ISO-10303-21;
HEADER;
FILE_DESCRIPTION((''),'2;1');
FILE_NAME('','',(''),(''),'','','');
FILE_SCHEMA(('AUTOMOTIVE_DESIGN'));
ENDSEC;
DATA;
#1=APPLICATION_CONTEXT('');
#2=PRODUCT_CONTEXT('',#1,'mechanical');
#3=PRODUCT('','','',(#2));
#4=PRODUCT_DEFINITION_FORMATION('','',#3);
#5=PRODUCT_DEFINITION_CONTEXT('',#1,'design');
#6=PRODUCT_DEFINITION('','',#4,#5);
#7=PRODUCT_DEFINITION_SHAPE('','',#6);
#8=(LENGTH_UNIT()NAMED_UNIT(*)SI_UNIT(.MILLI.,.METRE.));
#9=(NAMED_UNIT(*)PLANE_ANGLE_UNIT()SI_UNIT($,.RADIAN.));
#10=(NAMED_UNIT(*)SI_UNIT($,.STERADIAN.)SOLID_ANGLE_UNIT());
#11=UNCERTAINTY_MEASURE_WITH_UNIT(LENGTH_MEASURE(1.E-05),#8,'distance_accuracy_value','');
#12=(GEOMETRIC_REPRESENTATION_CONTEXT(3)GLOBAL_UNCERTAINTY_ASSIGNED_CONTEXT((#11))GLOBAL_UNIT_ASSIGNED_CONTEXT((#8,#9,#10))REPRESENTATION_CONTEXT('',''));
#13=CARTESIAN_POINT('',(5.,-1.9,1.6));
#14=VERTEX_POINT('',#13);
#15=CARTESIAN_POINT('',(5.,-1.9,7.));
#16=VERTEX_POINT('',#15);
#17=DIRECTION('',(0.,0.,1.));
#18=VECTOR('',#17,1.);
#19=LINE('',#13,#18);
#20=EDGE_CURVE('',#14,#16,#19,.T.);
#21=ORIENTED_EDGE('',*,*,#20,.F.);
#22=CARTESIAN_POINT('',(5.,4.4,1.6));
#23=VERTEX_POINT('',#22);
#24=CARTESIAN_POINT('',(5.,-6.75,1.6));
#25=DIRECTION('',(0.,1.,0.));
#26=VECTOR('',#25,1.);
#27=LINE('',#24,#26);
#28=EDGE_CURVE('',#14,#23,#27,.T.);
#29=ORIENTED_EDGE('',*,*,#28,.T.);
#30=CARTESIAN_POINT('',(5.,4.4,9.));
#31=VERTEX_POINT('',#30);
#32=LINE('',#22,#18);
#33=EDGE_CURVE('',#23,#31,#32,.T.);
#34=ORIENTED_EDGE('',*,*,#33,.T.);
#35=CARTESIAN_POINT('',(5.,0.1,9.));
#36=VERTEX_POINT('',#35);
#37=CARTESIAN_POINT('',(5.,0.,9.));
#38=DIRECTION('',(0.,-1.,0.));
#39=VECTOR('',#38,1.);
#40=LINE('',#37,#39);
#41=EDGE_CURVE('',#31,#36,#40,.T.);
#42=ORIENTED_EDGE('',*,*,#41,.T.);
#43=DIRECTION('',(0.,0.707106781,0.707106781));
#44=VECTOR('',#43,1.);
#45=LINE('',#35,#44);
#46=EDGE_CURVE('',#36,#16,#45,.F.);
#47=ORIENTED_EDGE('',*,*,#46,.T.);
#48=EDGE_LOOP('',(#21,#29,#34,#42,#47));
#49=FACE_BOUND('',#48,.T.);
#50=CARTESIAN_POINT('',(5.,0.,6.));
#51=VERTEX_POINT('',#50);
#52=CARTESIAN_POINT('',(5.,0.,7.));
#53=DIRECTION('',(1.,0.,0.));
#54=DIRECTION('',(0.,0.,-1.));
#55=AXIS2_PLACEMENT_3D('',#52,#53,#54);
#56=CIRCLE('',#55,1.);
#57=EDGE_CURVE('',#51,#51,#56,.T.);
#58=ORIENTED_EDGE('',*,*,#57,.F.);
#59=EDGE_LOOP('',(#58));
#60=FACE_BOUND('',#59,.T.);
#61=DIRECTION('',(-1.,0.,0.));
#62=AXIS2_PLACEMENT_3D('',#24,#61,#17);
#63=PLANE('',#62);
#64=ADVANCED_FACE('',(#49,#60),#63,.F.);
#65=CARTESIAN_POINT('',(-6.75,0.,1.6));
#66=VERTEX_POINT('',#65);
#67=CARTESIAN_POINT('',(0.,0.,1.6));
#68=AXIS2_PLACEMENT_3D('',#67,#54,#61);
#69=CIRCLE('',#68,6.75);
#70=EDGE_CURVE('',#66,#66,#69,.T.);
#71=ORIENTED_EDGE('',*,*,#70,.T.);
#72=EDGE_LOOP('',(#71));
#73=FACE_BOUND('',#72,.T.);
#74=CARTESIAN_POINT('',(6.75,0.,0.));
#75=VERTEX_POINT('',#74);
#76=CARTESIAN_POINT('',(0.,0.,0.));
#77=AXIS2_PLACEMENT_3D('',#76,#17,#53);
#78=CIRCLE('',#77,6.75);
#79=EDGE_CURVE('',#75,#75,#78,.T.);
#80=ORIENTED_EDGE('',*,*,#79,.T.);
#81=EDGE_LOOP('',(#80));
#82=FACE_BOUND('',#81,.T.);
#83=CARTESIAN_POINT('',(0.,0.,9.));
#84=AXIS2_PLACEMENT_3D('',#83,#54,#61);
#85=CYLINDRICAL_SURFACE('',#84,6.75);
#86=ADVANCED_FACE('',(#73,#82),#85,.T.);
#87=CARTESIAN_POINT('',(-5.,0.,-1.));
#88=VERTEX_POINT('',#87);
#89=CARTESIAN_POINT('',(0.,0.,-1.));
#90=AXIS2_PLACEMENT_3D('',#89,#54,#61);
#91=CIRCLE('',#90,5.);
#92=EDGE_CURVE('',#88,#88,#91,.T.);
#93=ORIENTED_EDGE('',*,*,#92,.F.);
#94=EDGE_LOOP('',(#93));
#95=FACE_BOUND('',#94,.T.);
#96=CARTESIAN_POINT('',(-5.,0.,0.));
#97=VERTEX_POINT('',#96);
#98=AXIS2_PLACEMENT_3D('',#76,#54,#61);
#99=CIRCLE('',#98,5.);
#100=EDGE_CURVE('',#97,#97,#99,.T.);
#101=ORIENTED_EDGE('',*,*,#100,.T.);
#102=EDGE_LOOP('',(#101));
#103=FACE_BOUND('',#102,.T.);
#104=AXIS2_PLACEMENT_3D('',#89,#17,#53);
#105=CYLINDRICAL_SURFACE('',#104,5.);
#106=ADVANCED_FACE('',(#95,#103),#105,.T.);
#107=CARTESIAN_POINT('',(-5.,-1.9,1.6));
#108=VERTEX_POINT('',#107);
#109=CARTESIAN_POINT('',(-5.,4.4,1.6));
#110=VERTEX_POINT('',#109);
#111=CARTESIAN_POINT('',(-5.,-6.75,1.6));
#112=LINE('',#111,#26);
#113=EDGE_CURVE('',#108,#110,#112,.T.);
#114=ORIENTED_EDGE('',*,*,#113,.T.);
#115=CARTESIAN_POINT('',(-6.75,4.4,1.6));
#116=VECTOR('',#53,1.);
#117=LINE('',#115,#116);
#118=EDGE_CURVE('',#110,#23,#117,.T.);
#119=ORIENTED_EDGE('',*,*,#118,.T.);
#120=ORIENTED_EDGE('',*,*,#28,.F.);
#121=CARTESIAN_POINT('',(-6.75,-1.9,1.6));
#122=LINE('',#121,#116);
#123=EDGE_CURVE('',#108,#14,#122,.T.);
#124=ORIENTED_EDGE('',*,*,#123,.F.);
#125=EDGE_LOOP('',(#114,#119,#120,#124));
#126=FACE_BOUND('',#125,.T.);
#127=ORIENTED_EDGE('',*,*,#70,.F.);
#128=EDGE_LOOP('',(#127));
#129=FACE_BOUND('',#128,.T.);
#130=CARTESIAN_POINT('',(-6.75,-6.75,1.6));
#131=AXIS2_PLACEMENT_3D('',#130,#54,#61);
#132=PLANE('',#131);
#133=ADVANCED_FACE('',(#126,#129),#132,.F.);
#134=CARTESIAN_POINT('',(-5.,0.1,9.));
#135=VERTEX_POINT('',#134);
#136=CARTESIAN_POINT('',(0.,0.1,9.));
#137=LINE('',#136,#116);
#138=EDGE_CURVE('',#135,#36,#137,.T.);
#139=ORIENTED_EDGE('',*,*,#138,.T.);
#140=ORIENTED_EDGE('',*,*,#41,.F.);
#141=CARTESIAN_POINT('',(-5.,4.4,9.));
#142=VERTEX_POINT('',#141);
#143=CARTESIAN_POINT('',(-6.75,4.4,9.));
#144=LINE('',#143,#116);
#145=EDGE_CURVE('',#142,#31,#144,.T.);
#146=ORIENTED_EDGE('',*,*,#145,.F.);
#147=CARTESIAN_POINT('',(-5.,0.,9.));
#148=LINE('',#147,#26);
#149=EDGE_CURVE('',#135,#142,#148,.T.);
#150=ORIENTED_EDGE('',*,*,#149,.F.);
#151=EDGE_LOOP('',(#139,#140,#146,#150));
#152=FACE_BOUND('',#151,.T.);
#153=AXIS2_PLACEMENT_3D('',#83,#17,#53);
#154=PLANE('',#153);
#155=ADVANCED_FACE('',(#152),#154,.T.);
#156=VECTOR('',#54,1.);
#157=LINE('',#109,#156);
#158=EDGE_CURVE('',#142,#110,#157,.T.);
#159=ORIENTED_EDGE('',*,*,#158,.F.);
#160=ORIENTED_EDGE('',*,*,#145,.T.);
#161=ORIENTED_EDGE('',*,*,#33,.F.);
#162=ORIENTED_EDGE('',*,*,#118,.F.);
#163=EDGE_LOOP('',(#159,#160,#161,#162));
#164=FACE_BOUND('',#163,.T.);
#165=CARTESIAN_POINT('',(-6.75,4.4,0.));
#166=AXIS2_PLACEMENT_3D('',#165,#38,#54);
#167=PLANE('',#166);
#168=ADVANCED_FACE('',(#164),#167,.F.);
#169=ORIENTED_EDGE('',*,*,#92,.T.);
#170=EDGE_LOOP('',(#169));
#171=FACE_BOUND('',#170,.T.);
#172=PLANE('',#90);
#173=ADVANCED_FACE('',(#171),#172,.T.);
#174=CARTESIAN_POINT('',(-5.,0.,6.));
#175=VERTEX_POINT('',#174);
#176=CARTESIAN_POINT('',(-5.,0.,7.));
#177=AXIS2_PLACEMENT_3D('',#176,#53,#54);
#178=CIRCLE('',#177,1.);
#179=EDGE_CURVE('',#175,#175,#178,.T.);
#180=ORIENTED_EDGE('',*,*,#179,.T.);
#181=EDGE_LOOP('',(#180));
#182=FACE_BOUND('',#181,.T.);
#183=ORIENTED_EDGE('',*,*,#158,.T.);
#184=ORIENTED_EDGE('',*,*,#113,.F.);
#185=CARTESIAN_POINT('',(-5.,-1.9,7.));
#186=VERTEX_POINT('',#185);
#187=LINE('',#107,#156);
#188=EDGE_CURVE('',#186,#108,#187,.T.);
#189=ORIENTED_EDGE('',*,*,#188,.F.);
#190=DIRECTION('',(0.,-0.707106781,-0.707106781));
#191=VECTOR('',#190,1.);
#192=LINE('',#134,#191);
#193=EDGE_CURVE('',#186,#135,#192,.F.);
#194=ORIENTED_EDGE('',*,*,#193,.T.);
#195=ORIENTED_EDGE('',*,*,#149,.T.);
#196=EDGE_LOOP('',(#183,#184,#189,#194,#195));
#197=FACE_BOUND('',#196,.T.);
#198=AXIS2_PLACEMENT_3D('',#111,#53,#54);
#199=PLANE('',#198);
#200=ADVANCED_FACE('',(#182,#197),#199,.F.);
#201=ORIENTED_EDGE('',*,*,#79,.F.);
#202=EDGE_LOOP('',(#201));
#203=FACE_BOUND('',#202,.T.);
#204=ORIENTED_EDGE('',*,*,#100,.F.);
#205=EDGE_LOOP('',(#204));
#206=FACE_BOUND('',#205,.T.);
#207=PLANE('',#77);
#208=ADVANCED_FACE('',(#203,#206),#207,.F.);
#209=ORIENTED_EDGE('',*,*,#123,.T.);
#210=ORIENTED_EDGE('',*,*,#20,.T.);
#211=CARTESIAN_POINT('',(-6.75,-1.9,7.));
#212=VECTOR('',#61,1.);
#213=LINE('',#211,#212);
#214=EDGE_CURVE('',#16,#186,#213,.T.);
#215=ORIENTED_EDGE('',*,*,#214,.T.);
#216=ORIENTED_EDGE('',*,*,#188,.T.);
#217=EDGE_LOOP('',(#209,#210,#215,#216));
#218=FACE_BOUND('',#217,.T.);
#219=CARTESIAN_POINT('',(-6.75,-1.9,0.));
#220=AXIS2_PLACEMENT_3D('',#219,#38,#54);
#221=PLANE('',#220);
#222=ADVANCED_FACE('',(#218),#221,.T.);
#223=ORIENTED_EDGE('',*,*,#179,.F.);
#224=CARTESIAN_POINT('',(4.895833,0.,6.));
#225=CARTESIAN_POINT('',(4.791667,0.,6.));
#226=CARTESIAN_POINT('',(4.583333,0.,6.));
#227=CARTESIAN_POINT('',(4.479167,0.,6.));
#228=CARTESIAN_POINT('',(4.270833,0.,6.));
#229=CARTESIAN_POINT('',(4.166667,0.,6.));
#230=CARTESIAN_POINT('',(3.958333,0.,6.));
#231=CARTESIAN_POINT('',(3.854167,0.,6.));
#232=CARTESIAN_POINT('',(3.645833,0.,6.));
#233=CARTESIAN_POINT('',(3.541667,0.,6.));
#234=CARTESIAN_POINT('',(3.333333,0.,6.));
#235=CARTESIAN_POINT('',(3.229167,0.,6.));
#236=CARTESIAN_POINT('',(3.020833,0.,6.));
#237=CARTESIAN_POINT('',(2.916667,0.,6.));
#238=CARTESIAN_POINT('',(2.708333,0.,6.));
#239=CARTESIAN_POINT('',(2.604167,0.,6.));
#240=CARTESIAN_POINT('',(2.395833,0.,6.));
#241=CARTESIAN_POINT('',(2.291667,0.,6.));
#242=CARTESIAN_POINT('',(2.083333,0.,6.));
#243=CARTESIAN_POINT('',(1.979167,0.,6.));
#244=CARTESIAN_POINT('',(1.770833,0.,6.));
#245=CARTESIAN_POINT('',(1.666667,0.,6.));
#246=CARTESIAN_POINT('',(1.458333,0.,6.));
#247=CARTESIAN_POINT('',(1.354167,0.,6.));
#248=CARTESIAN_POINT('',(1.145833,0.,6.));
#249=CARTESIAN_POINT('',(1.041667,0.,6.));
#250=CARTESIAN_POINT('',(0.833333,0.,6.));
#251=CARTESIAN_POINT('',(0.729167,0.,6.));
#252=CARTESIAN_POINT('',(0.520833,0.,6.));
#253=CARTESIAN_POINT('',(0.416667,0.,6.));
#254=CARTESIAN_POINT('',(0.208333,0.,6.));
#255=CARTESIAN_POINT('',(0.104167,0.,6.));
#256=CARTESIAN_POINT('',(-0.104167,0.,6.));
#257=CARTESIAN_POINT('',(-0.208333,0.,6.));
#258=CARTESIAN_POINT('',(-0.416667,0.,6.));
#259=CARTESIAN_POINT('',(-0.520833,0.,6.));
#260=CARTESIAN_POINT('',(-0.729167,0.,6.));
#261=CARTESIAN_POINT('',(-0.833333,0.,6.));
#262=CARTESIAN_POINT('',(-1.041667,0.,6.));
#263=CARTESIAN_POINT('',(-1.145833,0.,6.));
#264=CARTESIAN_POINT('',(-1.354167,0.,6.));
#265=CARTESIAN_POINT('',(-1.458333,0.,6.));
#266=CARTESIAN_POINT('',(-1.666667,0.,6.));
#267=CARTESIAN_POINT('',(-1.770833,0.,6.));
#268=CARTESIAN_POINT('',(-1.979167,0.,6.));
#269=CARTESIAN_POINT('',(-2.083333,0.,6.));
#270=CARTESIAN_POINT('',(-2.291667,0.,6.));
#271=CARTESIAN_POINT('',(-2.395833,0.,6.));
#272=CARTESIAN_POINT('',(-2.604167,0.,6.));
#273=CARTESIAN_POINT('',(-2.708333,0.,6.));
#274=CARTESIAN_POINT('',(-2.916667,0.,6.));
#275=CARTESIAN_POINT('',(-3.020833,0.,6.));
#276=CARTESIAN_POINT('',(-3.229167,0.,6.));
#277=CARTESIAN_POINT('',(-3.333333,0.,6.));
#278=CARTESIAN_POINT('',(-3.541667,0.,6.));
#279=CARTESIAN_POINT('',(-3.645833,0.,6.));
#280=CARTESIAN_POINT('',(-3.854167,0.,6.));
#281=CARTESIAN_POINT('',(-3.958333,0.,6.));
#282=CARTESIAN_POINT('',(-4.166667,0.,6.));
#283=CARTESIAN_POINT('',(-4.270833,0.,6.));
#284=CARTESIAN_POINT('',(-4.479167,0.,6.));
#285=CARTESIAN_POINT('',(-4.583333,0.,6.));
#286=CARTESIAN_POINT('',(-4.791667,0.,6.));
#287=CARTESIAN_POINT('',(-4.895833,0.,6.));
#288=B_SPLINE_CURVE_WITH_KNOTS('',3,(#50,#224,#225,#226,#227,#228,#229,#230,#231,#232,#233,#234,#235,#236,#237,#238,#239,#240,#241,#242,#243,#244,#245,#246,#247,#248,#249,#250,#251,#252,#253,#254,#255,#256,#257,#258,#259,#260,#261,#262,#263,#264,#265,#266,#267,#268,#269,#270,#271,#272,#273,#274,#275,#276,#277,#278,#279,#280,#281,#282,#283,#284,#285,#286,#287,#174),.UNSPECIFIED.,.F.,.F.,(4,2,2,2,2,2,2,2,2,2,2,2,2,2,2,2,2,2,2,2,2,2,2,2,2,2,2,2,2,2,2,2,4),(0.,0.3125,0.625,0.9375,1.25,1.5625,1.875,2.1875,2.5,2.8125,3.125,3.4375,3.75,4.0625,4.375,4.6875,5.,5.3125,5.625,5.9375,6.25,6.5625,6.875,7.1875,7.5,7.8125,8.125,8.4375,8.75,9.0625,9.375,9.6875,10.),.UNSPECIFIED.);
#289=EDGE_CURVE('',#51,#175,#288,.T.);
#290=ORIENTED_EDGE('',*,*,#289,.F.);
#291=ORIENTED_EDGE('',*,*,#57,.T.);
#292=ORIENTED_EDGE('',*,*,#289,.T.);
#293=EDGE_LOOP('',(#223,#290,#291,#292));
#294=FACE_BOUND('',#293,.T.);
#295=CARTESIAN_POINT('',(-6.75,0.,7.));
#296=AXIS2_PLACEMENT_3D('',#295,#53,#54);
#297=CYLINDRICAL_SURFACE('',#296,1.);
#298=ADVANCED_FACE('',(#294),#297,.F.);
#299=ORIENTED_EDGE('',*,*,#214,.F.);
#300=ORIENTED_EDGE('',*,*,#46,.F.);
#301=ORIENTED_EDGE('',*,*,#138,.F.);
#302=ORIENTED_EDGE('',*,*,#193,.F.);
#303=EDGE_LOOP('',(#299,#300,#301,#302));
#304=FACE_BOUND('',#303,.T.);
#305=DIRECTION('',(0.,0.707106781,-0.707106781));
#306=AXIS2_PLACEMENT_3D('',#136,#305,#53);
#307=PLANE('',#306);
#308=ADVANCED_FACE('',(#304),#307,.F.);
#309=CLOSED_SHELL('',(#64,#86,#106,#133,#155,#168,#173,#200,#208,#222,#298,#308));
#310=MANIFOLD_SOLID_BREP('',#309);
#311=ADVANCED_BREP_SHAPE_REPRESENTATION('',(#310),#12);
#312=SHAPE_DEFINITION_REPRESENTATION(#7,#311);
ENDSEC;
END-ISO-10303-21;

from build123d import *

# Parameters (mm, degrees)
SKETCH1_R               = 6.75
BOSS_EXTRUDE1_DEPTH     = 9
SKETCH2_R               = 5
BOSS_EXTRUDE2_DEPTH     = 1
CUT_EXTRUDE1_DEPTH      = 14.119641763
CUT_EXTRUDE1_DEPTH_BACK = 14.119641763
SKETCH3_W               = 1.75
SKETCH3_H               = 7.4
CUT_EXTRUDE2_DEPTH      = 14.119641763
CUT_EXTRUDE2_DEPTH_BACK = 14.119641763
SKETCH4_W               = 7.4
SKETCH4_H               = 4.85
SKETCH4_H_2             = 2.35
CUT_EXTRUDE3_DEPTH      = 17.267298485
CUT_EXTRUDE3_DEPTH_BACK = 17.267298485
SKETCH5_R               = 1
CHAMFER1_SIZE           = 2


with BuildPart() as part:
    # Sketch1 → Boss-Extrude1 (new body)
    with BuildSketch(Plane.XY):
        Circle(SKETCH1_R)
    extrude(amount=BOSS_EXTRUDE1_DEPTH)

    # Sketch2 → Boss-Extrude2 (add)
    with BuildSketch(Plane(origin=(0, 0, 0), x_dir=(-1, 0, 0), z_dir=(0, 0, -1))):
        Circle(SKETCH2_R)
    extrude(amount=BOSS_EXTRUDE2_DEPTH)

    # Sketch3 → Cut-Extrude1 (cut, two sides: drawn at the far end of the back side and taken through both)
    with BuildSketch(Plane(origin=(0, 0, 0), x_dir=(1, 0, 0), z_dir=(0, 1, 0)).offset(-CUT_EXTRUDE1_DEPTH_BACK)):
        with Locations((-5.875, -5.3)):
            Rectangle(SKETCH3_W, SKETCH3_H)
        with Locations((5.875, -5.3)):
            Rectangle(SKETCH3_W, SKETCH3_H)
    extrude(amount=CUT_EXTRUDE1_DEPTH + CUT_EXTRUDE1_DEPTH_BACK, mode=Mode.SUBTRACT)

    # Sketch4 → Cut-Extrude2 (cut, two sides: drawn at the far end of the back side and taken through both)
    with BuildSketch(Plane(origin=(0, 0, 0), x_dir=(0, 0, -1), z_dir=(1, 0, 0)).offset(-CUT_EXTRUDE2_DEPTH_BACK)):
        with Locations((-5.3, -4.325)):
            Rectangle(SKETCH4_W, SKETCH4_H)
        with Locations((-5.3, 5.575)):
            Rectangle(SKETCH4_W, SKETCH4_H_2)
    extrude(amount=CUT_EXTRUDE2_DEPTH + CUT_EXTRUDE2_DEPTH_BACK, mode=Mode.SUBTRACT)

    # Sketch5 → Cut-Extrude3 (cut, two sides: drawn at the far end of the back side and taken through both)
    with BuildSketch(Plane(origin=(5, 0, 0), x_dir=(0, 0, -1), z_dir=(1, 0, 0)).offset(-CUT_EXTRUDE3_DEPTH_BACK)):
        with Locations((-7, 0)):
            Circle(SKETCH5_R)
    extrude(amount=CUT_EXTRUDE3_DEPTH + CUT_EXTRUDE3_DEPTH_BACK, mode=Mode.SUBTRACT)

    # Chamfer1
    chamfer1_edges = [part.edges().sort_by_distance(p)[0] for p in [
        (0, -1.9, 9),
    ]]
    chamfer(chamfer1_edges, length=CHAMFER1_SIZE)


solid = part.part
